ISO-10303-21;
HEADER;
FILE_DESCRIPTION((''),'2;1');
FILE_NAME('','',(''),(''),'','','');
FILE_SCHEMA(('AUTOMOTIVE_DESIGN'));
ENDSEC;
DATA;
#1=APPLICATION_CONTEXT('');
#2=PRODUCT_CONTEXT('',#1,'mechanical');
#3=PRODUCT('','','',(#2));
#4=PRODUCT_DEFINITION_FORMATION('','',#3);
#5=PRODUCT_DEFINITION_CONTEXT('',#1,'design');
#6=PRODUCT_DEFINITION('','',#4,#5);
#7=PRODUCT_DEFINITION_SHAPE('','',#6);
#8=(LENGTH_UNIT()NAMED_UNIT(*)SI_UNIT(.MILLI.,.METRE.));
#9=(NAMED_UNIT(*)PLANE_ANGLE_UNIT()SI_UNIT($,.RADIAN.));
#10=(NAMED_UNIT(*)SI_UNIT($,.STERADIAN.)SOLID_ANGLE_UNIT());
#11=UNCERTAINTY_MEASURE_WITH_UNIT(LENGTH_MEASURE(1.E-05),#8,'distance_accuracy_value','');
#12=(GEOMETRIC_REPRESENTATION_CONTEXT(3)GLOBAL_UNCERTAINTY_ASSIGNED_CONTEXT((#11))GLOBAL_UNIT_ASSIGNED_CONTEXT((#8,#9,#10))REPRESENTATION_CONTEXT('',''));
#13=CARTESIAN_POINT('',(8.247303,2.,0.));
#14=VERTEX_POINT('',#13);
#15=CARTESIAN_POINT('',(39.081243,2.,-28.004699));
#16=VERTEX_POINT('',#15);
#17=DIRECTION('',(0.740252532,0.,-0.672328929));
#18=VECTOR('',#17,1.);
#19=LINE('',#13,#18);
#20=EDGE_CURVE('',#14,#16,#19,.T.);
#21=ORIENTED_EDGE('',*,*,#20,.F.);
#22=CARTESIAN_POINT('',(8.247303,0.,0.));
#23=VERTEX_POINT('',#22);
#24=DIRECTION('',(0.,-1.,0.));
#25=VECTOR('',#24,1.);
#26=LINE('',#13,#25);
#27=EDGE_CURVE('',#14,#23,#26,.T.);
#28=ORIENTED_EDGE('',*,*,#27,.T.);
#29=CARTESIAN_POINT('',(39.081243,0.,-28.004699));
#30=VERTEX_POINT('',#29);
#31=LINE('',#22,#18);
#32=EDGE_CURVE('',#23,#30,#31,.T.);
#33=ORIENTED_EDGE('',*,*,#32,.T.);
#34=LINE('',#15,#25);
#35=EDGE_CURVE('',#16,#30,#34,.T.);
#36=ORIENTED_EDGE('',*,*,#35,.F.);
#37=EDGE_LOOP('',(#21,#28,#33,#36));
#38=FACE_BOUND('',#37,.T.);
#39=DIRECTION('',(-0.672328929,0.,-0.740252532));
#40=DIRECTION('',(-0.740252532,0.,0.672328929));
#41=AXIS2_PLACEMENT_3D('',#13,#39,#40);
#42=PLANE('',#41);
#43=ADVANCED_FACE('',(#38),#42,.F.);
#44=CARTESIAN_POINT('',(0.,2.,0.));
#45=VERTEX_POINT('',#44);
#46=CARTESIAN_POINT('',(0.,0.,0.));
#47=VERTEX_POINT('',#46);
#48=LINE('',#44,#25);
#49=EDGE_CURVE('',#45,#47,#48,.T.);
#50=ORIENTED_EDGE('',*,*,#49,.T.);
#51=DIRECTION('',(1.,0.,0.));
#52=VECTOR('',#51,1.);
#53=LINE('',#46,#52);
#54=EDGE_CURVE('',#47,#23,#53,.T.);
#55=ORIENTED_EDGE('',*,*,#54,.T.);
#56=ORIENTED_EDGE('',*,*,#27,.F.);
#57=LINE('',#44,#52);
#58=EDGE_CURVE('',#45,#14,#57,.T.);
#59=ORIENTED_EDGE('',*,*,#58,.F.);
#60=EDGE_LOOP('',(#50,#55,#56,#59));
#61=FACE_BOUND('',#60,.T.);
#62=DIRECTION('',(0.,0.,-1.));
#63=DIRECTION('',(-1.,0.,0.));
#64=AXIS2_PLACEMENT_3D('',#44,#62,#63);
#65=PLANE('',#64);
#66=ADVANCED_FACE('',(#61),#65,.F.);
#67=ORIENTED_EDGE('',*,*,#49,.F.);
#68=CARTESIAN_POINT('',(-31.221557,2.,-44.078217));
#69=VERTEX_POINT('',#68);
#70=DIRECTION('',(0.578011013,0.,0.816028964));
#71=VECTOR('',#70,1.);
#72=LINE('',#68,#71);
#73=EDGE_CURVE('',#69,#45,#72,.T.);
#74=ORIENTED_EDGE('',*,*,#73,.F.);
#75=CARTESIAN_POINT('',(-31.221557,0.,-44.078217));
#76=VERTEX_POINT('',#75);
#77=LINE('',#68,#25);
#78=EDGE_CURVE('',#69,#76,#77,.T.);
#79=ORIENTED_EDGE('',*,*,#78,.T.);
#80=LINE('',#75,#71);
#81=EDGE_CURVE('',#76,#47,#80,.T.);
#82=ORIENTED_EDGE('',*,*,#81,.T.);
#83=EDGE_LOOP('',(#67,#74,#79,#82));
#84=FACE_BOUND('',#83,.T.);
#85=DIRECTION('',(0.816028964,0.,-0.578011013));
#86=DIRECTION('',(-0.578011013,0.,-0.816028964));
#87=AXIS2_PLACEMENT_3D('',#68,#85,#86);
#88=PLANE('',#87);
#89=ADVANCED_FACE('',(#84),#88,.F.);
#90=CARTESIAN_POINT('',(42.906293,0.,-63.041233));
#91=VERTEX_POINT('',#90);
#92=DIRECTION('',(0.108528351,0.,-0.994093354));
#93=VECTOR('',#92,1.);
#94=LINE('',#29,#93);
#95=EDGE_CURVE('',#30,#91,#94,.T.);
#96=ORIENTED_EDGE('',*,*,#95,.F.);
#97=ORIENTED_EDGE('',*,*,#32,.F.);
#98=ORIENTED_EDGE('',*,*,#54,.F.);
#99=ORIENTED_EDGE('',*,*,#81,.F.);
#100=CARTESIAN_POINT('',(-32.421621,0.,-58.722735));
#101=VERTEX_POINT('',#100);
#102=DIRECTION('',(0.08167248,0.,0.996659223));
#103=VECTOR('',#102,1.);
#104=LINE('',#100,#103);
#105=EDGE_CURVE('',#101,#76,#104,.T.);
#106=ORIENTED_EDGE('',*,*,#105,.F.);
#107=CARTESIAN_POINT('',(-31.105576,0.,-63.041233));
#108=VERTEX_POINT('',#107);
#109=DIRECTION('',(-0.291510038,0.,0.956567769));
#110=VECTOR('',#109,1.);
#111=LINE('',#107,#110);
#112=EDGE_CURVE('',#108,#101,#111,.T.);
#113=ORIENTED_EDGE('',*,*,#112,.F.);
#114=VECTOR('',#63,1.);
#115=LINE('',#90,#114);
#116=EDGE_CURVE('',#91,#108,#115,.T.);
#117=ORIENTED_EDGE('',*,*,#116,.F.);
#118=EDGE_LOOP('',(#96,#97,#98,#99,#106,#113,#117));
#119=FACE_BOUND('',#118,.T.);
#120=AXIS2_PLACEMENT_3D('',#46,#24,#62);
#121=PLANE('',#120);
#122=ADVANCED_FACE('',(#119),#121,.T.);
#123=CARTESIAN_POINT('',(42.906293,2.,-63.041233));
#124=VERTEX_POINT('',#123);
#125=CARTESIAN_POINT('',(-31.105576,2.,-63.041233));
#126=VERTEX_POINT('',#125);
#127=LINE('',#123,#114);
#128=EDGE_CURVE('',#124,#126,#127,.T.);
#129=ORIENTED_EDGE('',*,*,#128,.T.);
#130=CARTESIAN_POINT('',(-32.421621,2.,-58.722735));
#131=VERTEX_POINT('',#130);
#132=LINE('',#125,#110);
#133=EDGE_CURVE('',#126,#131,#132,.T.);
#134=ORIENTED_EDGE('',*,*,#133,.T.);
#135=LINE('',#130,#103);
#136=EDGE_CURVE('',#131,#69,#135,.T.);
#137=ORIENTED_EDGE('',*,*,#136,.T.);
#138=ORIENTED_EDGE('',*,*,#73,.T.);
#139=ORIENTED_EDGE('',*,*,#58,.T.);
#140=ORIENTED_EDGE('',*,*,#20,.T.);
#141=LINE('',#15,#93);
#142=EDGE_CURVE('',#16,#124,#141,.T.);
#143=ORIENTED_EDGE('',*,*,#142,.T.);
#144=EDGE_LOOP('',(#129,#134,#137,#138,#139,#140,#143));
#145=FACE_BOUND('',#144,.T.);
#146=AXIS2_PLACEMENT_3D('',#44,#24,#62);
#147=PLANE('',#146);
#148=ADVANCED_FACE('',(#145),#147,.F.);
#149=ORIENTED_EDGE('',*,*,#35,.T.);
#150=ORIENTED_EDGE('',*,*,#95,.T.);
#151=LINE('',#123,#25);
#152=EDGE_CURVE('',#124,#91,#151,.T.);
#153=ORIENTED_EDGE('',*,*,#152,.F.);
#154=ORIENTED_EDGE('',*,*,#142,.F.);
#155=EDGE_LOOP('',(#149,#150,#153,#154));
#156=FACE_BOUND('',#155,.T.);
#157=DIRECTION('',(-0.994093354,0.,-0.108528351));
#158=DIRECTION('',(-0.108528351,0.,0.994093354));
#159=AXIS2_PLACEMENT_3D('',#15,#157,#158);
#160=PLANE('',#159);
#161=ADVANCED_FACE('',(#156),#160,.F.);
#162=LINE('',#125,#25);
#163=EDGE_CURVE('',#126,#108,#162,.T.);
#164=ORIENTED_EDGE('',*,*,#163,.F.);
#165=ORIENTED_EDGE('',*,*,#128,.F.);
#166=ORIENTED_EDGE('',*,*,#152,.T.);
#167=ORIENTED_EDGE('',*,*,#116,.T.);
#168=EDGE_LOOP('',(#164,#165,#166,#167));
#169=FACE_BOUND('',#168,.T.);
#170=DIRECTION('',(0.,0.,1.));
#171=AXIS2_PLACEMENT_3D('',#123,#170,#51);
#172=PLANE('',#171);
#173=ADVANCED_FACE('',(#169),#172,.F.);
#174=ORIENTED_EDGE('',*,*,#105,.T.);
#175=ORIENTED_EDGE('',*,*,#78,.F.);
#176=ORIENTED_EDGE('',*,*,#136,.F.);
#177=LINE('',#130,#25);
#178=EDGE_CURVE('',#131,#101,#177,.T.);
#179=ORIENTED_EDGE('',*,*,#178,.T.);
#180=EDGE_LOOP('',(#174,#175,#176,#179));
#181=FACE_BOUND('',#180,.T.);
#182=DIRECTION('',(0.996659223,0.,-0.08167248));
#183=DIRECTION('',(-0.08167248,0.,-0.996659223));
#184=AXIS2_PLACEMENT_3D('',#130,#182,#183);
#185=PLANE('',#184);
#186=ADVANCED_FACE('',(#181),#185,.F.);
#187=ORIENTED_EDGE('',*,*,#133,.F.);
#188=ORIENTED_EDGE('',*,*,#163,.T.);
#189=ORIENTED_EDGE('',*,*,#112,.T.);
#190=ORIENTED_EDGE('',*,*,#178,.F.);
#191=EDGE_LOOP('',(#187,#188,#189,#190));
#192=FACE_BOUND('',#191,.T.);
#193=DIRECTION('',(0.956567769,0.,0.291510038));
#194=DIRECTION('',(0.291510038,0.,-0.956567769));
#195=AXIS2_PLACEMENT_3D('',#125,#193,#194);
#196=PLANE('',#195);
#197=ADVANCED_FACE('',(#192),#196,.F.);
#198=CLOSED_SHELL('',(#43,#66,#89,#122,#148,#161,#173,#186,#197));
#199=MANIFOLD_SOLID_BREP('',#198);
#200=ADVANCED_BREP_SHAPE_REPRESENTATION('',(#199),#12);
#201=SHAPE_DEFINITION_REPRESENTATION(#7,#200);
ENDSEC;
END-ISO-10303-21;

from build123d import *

# Parameters (mm, degrees)
BOSS_EXTRU_1_DEPTH = 2


with BuildPart() as part:
    # Esquisse1 → Boss.-Extru.1 (new body)
    with BuildSketch(Plane(origin=(0, 0, 0), x_dir=(1, 0, 0), z_dir=(0, 1, 0))):
        Polygon((39.081242525, 28.004698974), (42.906292993, 63.04123288), (-31.105576244, 63.04123288), (-32.421620527, 58.722734784), (-31.221557336, 44.078217395), (0, 0), (8.247303282, 0), align=None)
    extrude(amount=BOSS_EXTRU_1_DEPTH)


solid = part.part
